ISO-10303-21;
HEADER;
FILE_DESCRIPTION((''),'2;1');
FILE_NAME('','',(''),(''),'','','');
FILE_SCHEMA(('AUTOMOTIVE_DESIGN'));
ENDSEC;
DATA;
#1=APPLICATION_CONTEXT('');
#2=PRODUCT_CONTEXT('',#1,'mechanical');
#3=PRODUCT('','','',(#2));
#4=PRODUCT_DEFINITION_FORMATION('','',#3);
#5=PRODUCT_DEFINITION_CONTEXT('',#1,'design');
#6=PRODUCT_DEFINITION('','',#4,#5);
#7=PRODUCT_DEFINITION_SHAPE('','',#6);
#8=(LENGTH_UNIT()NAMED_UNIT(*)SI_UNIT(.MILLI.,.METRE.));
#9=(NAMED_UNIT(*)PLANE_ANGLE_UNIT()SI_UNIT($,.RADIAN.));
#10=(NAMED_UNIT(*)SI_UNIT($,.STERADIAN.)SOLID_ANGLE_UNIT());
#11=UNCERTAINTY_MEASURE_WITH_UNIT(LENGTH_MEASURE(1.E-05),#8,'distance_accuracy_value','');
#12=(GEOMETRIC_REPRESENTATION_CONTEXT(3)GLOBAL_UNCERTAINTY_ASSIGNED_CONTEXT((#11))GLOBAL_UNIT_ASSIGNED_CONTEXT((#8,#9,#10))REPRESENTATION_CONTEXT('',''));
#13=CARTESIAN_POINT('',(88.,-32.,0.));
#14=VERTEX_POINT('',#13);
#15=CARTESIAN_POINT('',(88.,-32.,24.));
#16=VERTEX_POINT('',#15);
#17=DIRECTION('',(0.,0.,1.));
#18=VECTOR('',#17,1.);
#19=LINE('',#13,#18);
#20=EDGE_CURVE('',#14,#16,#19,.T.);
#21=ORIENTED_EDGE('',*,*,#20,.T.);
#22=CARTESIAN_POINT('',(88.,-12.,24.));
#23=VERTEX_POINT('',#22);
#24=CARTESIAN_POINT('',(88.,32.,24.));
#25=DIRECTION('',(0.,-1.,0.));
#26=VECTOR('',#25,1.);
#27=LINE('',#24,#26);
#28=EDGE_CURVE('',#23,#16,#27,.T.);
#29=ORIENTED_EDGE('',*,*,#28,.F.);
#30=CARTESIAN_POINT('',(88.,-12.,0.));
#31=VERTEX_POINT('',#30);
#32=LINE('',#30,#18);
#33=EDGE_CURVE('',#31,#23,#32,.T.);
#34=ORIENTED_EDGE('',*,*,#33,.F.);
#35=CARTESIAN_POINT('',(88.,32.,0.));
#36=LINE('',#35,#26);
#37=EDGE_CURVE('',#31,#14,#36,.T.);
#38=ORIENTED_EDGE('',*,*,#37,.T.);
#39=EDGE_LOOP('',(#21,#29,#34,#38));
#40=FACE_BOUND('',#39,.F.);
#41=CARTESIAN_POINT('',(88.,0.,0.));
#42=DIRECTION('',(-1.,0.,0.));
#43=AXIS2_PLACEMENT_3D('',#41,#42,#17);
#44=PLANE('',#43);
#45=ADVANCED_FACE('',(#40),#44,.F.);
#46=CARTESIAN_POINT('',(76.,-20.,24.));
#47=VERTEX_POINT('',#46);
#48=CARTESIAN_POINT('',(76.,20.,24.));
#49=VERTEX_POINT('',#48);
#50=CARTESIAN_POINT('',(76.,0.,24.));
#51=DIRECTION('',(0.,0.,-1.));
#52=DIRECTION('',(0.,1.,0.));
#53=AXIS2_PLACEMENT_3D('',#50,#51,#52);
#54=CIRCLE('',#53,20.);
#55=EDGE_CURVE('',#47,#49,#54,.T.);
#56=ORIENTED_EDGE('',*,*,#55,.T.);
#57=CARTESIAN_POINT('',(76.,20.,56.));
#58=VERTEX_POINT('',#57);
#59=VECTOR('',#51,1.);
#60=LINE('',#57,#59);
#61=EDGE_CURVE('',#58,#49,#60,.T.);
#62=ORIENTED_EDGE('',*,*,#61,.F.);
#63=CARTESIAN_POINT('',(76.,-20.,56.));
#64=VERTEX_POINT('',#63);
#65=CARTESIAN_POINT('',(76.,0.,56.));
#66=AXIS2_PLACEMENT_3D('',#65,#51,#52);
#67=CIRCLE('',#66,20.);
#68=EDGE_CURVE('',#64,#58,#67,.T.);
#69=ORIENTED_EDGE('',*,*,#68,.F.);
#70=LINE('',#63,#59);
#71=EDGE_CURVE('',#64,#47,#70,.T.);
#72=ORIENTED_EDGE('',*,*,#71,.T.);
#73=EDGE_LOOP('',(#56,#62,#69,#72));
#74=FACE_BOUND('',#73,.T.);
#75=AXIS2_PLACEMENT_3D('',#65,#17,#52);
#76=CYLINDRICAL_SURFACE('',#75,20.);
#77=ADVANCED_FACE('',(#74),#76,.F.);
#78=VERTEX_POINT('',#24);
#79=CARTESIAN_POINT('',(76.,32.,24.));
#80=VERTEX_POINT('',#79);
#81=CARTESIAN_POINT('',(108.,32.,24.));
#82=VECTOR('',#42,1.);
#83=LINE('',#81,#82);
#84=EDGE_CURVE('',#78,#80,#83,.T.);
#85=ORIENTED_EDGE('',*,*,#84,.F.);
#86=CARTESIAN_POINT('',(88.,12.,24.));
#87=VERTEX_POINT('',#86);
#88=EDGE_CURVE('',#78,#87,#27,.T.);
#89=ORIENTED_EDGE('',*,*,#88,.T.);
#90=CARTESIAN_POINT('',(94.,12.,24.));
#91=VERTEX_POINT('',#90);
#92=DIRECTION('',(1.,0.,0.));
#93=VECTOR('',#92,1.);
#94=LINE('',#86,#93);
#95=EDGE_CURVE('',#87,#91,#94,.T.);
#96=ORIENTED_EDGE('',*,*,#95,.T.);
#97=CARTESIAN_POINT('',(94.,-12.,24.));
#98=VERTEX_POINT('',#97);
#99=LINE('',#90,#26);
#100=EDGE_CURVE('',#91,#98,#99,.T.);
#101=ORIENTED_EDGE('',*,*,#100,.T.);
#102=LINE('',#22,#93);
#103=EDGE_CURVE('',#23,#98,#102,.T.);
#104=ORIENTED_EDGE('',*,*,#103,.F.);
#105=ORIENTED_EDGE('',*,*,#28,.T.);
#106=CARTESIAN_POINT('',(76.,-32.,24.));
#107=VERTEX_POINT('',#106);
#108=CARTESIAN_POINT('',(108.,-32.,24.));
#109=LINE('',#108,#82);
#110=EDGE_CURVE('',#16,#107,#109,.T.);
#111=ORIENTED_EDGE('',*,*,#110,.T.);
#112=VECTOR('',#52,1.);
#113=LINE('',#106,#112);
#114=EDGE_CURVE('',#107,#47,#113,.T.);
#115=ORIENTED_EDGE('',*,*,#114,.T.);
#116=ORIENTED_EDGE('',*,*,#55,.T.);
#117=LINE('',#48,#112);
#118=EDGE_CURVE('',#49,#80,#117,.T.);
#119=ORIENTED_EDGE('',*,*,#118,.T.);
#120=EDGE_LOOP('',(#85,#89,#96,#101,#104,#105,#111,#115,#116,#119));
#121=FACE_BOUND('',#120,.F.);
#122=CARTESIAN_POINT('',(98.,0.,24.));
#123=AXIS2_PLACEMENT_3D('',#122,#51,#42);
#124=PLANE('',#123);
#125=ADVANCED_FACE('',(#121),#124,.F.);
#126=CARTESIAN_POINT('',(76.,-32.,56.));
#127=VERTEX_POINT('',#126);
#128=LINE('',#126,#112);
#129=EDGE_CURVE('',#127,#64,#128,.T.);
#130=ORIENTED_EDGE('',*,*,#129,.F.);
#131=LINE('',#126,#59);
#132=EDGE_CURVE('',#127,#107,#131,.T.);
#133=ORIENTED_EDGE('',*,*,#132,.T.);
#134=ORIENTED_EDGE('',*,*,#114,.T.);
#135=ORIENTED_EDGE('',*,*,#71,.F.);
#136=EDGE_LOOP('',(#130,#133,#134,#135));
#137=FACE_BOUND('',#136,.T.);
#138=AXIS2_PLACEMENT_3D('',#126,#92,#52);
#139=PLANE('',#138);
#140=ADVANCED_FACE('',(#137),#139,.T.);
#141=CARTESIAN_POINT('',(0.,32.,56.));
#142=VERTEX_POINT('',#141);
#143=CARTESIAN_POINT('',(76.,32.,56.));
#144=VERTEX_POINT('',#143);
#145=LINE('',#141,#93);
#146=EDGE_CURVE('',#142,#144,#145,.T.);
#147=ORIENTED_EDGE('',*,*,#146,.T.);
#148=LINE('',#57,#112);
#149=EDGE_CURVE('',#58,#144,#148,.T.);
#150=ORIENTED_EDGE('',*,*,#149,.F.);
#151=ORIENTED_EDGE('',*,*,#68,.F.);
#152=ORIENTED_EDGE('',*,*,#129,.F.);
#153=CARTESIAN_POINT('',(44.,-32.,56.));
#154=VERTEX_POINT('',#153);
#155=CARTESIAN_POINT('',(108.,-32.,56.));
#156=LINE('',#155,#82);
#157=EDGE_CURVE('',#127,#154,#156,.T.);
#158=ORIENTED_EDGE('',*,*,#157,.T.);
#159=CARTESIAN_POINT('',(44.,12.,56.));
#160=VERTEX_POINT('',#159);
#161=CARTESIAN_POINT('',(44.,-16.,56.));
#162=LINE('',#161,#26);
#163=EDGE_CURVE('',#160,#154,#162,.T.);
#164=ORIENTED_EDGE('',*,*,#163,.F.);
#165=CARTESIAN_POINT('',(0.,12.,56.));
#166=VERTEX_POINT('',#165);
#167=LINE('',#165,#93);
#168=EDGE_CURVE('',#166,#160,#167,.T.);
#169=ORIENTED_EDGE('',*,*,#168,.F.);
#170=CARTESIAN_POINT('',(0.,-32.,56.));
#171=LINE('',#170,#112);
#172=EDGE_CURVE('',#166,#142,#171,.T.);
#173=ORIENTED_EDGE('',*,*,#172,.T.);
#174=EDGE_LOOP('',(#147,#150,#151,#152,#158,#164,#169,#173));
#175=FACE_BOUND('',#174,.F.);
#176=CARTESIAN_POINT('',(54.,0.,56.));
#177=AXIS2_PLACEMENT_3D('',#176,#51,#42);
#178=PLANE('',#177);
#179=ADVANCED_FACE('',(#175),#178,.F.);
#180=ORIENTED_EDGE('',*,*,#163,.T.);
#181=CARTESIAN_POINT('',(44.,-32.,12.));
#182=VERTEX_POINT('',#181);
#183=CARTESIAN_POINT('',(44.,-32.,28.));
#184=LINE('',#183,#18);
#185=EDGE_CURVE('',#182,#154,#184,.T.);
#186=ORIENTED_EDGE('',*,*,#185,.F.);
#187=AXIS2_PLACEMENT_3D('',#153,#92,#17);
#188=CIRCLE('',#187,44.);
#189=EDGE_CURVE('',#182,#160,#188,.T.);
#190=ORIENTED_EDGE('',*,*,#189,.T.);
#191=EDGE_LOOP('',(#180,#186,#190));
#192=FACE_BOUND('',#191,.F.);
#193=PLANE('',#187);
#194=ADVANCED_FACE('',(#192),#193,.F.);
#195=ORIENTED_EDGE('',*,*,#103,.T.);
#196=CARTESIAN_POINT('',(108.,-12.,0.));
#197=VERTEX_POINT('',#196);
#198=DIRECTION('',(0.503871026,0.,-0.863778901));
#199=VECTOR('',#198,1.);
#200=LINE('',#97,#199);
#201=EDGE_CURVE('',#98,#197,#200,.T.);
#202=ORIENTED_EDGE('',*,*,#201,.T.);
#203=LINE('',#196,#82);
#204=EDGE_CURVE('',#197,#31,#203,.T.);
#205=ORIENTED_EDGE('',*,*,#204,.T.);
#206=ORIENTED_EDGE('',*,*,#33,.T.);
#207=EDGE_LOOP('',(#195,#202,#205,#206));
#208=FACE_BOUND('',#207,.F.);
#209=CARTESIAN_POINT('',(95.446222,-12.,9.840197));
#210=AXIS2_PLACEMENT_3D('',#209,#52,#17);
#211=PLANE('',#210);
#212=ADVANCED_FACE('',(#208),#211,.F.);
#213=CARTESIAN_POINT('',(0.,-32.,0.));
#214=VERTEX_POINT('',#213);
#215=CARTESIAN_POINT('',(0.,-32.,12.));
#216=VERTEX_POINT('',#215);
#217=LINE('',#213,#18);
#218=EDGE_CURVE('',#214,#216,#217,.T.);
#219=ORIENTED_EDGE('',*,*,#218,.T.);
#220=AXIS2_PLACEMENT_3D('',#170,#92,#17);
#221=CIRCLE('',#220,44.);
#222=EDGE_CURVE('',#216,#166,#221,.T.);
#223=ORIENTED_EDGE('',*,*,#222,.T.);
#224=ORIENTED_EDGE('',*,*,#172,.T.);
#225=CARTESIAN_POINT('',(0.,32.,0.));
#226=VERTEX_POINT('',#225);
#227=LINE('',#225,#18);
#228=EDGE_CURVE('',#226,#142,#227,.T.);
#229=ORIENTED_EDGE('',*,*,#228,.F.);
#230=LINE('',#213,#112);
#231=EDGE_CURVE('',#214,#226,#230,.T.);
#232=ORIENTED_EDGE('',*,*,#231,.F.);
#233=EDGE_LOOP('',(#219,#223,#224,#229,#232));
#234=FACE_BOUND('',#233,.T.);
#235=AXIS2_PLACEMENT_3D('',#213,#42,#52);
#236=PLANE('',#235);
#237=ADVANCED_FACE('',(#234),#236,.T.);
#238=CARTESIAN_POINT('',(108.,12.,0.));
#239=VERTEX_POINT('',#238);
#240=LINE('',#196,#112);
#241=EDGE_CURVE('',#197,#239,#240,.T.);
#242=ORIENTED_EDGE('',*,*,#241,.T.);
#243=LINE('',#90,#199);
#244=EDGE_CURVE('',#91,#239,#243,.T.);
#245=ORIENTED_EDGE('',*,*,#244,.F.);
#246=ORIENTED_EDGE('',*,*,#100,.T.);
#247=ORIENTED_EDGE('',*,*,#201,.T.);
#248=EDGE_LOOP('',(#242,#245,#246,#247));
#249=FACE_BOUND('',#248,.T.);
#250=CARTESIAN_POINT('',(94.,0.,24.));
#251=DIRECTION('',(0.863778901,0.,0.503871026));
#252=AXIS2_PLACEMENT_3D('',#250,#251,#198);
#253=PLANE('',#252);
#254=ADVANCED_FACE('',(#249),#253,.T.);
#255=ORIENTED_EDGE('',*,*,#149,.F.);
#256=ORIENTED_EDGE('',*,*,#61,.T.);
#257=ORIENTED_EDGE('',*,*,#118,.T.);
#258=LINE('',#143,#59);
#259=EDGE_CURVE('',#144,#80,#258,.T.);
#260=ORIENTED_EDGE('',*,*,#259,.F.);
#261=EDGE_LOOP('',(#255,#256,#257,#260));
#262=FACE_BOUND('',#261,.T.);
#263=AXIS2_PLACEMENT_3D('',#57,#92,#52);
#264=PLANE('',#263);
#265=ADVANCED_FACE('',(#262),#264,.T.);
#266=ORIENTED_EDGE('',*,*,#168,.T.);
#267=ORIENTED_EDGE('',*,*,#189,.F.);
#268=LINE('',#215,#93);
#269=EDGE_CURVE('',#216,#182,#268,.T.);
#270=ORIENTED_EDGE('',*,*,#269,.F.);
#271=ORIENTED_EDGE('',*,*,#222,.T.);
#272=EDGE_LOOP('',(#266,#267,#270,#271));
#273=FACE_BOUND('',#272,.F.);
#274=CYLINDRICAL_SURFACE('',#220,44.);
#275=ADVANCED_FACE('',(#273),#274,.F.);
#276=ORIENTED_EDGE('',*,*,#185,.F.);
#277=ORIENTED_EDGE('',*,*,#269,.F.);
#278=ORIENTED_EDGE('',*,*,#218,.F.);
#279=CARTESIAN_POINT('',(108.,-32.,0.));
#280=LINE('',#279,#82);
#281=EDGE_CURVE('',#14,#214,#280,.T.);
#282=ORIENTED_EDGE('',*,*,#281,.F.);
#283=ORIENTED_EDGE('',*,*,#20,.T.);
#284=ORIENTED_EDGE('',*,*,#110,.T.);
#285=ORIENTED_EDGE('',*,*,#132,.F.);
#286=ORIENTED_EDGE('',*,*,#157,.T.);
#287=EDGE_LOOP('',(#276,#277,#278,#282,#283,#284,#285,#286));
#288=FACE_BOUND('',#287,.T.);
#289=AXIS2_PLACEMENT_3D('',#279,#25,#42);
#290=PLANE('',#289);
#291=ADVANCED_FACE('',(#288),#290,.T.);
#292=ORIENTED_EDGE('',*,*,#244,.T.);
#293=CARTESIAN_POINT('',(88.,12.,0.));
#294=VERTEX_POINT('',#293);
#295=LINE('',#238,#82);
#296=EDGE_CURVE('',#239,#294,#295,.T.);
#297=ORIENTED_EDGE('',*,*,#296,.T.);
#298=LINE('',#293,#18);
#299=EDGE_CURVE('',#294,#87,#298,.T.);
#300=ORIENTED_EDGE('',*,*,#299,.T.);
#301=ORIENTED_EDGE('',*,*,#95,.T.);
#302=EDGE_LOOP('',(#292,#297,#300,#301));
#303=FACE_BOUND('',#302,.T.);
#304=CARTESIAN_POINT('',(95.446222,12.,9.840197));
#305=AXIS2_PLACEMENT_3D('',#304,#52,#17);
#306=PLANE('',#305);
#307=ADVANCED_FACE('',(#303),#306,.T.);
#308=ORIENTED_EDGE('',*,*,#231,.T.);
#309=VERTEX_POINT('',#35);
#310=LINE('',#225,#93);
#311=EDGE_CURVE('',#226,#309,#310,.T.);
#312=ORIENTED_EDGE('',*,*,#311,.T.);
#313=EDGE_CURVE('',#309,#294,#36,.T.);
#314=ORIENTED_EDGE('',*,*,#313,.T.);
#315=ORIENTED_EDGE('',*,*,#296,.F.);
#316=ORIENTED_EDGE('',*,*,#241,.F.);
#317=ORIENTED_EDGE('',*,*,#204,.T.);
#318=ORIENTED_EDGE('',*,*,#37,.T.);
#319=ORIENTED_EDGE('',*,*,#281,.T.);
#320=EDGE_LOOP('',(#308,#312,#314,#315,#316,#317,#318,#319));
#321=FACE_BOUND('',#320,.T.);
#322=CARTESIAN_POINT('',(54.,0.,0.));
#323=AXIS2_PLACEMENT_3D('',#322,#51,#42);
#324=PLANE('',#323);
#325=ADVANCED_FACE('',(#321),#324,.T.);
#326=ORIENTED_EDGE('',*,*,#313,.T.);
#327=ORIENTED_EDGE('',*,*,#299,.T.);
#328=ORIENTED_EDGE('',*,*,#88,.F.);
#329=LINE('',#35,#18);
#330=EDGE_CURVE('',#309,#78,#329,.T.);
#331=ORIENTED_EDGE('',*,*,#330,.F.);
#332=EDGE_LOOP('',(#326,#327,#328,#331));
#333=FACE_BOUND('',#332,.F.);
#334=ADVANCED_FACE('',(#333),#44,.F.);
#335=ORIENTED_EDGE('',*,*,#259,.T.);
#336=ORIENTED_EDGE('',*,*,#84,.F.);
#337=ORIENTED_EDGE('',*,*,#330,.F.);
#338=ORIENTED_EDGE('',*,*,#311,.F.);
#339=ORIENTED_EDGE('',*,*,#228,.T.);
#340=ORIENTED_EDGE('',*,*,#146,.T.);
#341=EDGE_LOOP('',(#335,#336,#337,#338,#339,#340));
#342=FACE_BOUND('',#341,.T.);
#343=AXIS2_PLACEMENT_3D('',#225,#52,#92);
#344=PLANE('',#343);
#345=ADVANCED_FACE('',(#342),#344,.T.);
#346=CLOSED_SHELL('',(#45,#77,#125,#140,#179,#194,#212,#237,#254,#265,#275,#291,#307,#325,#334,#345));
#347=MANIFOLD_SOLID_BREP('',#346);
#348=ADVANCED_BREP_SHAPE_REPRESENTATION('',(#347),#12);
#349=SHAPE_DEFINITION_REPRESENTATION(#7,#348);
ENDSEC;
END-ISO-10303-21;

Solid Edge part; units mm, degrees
sketch "Sketch1" plane through (0, 0, 0) normal (0, 0, 1) x (1, 0, 0)
  line L0 (108, 32) -> (108, -32)
  line L1 (108, -32) -> (0, -32)
  line L2 (0, -32) -> (0, 32)
  line L3 (0, 32) -> (108, 32)
extrude "Protrusion1" add sketch "Sketch1" along normal blind 56
hole "Hole_2" at (0, -32, 56) direction (1, 0, 0) diameter 88 depth 44
sketch "Sketch2" plane through (54, 0, 56) normal (0, 0, 1) x (0, 1, 0)
  line L0 (32, -34) -> (-32, -34)
  line L1 (-32, -34) -> (-32, -22)
  line L2 (-32, -22) -> (-20, -22)
  line L3 (20, -22) -> (32, -22)
  line L4 (32, -22) -> (32, -34)
  arc A0 (-20, -22) -> (20, -22) centre (0, -22) cw
extrude "ExtrudedCutout_1" cut sketch "Sketch2" against normal blind 32
sketch "Sketch3" plane through (54, 0, 56) normal (0, 0, 1) x (0, 1, 0)
  line L0 (32, -34) -> (32, -54)
  line L1 (32, -54) -> (-32, -54)
  line L2 (-32, -54) -> (-32, -34)
  line L3 (32, -34) -> (-32, -34)
extrude "ExtrudedCutout_2" cut sketch "Sketch3" against normal blind 32
sketch "Sketch4" plane through (0, 0, 0) normal (0, -1, 0) x (1, 0, 0)
  line L0 (88, 24) -> (108, 24)
  line L1 (108, 24) -> (108, 0)
  line L2 (108, 0) -> (88, 0)
  line L3 (88, 0) -> (88, 24)
  line L4 (88, 24) -> (94, 24)
extrude "ExtrudedCutout_3" cut sketch "Sketch4" along normal mid plane 64 material side at (98, 0, 23.95)
sketch "Sketch5" plane through (0, 0, 0) normal (0, -1, 0) x (1, 0, 0)
  line L0 (94, 24) -> (108, 0)
  line L1 (108, 0) -> (88, 0)
  line L2 (88, 0) -> (88, 24)
  line L3 (88, 24) -> (94, 24)
extrude "ExtrudedProtrusion_2" add sketch "Sketch5" along normal mid plane 24
